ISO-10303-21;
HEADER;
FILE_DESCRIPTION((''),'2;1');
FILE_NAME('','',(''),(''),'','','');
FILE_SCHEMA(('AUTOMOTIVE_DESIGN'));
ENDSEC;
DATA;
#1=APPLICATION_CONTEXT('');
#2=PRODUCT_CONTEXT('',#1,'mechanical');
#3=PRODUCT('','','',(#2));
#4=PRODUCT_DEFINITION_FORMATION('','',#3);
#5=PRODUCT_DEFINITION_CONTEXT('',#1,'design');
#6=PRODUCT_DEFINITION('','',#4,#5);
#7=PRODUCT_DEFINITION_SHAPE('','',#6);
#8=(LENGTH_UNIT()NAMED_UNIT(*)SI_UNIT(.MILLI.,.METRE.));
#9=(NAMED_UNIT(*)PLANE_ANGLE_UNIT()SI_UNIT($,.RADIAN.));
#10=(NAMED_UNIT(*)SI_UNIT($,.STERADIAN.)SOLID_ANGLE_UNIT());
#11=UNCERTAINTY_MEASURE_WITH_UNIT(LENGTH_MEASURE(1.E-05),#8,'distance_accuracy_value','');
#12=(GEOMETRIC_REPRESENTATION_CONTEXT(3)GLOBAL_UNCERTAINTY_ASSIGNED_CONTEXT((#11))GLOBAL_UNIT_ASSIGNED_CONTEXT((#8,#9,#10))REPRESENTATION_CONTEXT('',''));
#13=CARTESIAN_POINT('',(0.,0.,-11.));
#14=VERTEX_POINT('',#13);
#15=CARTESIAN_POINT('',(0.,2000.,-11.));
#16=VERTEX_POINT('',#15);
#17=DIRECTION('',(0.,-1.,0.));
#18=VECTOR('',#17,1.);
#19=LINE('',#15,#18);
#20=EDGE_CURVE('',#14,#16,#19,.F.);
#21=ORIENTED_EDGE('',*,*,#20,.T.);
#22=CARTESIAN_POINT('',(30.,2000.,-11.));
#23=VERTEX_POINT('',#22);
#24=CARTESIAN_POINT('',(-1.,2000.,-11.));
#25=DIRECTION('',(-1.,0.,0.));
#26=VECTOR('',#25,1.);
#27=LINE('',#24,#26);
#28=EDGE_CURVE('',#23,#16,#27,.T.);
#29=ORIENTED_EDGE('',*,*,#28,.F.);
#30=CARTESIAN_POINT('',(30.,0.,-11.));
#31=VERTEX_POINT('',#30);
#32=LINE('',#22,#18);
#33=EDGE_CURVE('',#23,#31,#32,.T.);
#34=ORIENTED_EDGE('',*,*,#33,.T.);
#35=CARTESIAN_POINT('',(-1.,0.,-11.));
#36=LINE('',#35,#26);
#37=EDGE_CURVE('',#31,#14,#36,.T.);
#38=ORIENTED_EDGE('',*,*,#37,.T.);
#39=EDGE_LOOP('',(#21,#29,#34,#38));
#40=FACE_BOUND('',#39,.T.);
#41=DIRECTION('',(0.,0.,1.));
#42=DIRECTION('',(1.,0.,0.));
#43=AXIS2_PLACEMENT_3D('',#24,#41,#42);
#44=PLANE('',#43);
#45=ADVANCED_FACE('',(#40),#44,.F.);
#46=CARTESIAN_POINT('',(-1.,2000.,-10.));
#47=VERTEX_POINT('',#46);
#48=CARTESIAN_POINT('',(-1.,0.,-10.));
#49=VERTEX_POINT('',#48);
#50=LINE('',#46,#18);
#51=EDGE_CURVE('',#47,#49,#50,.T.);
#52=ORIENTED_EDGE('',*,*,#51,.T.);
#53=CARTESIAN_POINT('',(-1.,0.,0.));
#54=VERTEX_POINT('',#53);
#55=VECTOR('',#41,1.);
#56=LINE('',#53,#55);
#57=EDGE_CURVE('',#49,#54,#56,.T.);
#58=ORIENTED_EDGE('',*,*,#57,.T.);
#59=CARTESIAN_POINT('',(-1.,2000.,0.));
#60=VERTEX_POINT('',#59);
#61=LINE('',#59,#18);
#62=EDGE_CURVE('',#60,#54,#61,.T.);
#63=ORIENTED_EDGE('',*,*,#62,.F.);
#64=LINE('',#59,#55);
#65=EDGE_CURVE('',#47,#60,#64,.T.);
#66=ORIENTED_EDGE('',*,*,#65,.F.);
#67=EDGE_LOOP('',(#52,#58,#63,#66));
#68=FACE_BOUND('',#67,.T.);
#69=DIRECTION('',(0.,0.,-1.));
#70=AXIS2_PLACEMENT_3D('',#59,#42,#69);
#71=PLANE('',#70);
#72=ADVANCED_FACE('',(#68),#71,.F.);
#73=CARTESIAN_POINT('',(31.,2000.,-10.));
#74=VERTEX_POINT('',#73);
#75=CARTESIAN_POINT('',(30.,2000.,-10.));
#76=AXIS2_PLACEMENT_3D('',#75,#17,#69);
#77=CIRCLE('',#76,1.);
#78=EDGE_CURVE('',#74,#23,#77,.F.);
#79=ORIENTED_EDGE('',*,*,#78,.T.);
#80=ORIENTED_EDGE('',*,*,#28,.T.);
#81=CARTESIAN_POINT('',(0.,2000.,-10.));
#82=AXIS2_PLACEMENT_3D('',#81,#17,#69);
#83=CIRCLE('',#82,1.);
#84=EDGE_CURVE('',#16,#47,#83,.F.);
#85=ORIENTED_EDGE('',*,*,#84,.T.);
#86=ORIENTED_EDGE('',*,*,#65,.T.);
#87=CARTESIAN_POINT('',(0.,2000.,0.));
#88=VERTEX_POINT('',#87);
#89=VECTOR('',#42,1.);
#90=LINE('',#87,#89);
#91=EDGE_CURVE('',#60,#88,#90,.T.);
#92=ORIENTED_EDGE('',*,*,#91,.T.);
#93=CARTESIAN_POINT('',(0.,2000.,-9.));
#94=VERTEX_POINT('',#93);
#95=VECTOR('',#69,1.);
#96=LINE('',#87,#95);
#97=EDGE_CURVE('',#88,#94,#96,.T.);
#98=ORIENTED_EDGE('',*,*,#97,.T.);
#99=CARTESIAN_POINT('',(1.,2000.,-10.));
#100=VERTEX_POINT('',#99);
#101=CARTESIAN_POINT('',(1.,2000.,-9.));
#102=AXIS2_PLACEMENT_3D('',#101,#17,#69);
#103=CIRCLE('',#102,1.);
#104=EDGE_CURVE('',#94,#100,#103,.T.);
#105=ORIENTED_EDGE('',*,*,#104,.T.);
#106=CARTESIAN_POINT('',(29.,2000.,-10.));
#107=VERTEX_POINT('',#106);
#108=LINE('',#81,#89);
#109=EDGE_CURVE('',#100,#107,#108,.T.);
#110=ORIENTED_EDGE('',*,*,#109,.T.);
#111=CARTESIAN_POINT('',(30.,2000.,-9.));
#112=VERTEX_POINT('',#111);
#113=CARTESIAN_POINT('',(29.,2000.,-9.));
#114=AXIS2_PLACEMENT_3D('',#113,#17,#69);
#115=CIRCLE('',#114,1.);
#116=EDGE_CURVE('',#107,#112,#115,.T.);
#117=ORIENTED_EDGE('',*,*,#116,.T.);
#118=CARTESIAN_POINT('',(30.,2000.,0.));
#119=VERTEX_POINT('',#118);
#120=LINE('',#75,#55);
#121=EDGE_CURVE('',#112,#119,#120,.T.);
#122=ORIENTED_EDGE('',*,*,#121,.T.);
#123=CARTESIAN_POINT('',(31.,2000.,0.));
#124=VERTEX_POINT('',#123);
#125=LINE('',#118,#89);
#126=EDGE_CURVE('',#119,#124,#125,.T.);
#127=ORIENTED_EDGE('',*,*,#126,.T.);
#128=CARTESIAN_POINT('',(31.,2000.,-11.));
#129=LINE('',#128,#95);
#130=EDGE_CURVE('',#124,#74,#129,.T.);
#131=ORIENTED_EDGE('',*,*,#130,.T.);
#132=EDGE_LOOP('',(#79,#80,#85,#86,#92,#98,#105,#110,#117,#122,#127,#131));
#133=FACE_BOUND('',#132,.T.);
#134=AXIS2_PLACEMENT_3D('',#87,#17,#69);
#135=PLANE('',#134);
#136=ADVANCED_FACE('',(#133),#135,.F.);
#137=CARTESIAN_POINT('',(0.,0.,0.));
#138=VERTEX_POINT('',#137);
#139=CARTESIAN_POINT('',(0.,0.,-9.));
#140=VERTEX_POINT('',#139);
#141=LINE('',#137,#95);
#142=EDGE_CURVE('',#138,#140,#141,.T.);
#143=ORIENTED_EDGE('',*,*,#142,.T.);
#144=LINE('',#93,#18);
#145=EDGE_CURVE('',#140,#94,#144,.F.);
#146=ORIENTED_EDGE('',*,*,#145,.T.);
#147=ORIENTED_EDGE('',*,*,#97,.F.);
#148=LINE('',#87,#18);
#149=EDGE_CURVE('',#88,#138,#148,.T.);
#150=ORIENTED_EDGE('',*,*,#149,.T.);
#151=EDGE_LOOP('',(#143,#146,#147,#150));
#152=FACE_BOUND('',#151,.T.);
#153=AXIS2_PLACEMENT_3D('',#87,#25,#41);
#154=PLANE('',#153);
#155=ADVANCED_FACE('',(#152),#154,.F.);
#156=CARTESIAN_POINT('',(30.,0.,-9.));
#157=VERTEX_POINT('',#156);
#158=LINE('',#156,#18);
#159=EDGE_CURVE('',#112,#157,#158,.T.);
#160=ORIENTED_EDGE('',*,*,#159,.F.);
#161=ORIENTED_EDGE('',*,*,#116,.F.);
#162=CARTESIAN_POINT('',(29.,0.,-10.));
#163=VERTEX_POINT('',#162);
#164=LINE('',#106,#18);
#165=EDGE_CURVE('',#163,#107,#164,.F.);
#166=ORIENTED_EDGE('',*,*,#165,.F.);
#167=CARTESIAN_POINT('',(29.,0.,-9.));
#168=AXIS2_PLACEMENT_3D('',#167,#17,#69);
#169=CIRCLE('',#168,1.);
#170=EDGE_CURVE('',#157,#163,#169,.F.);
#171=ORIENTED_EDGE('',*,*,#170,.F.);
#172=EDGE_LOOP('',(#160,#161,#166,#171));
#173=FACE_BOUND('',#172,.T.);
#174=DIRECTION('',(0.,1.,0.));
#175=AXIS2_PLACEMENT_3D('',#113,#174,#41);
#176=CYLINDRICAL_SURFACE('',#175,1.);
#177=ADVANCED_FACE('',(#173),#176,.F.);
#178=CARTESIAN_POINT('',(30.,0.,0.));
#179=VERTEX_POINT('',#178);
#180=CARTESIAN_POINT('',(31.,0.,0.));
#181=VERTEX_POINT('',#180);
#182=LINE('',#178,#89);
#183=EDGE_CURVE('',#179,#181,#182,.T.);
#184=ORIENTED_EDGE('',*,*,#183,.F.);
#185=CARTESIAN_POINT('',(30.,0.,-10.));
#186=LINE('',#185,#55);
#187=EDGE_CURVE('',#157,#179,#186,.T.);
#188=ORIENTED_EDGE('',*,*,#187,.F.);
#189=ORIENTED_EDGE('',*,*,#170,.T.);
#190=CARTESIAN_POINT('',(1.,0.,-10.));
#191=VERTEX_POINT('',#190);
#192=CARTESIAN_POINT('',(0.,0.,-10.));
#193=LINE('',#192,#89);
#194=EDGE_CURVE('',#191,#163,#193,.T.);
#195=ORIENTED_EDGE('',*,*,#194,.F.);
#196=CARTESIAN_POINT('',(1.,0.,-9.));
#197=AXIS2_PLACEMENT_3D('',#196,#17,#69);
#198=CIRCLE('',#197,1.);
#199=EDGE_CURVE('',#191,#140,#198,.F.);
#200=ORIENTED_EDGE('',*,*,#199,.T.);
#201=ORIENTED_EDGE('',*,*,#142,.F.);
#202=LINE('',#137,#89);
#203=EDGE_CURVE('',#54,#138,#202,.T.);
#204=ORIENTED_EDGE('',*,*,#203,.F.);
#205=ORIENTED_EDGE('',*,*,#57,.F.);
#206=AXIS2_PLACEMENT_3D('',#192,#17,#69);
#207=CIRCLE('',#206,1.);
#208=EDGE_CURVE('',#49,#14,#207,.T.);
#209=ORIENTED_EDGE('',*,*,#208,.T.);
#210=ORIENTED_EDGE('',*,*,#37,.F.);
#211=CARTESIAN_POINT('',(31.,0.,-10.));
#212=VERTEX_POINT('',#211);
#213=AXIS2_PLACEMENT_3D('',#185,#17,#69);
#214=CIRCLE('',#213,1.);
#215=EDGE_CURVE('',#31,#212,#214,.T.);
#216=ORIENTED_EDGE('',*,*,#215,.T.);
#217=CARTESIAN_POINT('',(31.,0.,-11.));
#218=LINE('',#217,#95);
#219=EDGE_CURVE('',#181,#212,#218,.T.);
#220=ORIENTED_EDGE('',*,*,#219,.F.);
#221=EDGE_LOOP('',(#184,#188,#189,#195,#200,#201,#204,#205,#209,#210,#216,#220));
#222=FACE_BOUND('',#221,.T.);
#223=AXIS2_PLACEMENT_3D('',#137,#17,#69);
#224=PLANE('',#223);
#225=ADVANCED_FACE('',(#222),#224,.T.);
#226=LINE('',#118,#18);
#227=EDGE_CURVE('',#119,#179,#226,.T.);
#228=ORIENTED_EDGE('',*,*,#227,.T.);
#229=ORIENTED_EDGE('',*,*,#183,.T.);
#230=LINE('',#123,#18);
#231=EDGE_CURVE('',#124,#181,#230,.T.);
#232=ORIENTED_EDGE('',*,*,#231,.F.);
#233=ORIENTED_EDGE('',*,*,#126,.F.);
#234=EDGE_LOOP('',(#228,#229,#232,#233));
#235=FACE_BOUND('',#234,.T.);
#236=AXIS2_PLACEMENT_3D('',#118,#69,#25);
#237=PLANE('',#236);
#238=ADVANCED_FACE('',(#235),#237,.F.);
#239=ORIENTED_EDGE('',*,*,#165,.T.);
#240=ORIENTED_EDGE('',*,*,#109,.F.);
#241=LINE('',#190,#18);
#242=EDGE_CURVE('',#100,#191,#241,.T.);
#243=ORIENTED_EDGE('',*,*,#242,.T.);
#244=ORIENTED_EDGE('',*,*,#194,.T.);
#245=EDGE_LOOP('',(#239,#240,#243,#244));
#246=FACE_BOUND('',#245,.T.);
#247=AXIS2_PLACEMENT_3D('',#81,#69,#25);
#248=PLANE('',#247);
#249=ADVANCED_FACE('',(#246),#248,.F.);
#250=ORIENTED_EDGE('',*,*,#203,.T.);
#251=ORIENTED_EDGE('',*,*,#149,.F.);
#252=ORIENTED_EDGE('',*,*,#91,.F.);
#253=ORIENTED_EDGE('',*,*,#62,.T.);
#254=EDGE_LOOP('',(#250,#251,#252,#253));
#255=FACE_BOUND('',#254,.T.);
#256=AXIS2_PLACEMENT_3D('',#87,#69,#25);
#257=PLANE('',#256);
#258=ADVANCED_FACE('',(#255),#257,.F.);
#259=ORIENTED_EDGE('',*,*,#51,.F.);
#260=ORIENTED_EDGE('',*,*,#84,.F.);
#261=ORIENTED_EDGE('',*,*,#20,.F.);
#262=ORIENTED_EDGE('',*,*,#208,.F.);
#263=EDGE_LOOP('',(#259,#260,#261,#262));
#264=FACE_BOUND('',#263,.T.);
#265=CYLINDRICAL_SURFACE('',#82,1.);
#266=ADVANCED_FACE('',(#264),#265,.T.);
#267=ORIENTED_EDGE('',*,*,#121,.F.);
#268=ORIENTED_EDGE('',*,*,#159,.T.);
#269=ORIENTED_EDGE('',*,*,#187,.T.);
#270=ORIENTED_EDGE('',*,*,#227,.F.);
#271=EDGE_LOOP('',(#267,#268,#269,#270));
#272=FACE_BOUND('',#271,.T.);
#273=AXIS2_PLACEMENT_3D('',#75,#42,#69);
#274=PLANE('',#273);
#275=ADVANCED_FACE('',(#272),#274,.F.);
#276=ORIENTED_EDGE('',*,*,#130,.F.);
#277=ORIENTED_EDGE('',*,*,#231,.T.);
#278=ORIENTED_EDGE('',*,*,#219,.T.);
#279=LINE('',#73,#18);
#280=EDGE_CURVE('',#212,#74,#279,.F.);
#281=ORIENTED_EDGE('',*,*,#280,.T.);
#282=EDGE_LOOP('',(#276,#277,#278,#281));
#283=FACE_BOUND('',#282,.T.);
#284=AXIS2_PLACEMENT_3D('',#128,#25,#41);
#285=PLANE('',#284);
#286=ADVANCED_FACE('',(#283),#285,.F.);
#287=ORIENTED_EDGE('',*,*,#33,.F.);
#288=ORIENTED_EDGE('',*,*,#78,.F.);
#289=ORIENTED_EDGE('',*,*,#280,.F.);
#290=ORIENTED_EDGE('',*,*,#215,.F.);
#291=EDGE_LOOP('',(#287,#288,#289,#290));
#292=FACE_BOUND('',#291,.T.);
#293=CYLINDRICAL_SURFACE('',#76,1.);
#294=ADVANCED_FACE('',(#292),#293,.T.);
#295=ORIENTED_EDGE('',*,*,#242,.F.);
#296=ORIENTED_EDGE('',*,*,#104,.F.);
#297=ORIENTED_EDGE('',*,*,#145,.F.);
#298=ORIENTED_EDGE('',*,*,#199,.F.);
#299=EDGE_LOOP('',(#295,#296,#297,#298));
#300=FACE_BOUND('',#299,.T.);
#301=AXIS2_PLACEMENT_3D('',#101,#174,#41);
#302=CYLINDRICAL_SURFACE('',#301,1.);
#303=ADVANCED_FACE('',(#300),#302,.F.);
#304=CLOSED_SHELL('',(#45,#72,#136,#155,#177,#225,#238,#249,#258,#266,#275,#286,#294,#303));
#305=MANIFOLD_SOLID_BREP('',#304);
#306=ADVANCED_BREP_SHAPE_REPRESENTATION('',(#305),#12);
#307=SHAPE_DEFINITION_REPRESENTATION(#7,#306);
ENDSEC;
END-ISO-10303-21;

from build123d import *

# Parameters (mm, degrees)
BOSS_EXTRUDE1_DEPTH = 2000
FILLET1_R           = 1


with BuildPart() as part:
    # Sketch1 → Boss-Extrude1 (new body)
    with BuildSketch(Plane(origin=(0, 0, 0), x_dir=(1, 0, 0), z_dir=(0, 1, 0))):
        Polygon((0, 0), (0, 10), (30, 10), (30, 0), (31, 0), (31, 11), (-1, 11), (-1, 0), align=None)
    extrude(amount=BOSS_EXTRUDE1_DEPTH)

    # Fillet1
    fillet1_edges = [part.edges().sort_by_distance(p)[0] for p in [
        (-1, 1000, -11),
        (31, 1000, -11),
        (30, 1000, -10),
        (0, 1000, -10),
    ]]
    fillet(fillet1_edges, radius=FILLET1_R)


solid = part.part
